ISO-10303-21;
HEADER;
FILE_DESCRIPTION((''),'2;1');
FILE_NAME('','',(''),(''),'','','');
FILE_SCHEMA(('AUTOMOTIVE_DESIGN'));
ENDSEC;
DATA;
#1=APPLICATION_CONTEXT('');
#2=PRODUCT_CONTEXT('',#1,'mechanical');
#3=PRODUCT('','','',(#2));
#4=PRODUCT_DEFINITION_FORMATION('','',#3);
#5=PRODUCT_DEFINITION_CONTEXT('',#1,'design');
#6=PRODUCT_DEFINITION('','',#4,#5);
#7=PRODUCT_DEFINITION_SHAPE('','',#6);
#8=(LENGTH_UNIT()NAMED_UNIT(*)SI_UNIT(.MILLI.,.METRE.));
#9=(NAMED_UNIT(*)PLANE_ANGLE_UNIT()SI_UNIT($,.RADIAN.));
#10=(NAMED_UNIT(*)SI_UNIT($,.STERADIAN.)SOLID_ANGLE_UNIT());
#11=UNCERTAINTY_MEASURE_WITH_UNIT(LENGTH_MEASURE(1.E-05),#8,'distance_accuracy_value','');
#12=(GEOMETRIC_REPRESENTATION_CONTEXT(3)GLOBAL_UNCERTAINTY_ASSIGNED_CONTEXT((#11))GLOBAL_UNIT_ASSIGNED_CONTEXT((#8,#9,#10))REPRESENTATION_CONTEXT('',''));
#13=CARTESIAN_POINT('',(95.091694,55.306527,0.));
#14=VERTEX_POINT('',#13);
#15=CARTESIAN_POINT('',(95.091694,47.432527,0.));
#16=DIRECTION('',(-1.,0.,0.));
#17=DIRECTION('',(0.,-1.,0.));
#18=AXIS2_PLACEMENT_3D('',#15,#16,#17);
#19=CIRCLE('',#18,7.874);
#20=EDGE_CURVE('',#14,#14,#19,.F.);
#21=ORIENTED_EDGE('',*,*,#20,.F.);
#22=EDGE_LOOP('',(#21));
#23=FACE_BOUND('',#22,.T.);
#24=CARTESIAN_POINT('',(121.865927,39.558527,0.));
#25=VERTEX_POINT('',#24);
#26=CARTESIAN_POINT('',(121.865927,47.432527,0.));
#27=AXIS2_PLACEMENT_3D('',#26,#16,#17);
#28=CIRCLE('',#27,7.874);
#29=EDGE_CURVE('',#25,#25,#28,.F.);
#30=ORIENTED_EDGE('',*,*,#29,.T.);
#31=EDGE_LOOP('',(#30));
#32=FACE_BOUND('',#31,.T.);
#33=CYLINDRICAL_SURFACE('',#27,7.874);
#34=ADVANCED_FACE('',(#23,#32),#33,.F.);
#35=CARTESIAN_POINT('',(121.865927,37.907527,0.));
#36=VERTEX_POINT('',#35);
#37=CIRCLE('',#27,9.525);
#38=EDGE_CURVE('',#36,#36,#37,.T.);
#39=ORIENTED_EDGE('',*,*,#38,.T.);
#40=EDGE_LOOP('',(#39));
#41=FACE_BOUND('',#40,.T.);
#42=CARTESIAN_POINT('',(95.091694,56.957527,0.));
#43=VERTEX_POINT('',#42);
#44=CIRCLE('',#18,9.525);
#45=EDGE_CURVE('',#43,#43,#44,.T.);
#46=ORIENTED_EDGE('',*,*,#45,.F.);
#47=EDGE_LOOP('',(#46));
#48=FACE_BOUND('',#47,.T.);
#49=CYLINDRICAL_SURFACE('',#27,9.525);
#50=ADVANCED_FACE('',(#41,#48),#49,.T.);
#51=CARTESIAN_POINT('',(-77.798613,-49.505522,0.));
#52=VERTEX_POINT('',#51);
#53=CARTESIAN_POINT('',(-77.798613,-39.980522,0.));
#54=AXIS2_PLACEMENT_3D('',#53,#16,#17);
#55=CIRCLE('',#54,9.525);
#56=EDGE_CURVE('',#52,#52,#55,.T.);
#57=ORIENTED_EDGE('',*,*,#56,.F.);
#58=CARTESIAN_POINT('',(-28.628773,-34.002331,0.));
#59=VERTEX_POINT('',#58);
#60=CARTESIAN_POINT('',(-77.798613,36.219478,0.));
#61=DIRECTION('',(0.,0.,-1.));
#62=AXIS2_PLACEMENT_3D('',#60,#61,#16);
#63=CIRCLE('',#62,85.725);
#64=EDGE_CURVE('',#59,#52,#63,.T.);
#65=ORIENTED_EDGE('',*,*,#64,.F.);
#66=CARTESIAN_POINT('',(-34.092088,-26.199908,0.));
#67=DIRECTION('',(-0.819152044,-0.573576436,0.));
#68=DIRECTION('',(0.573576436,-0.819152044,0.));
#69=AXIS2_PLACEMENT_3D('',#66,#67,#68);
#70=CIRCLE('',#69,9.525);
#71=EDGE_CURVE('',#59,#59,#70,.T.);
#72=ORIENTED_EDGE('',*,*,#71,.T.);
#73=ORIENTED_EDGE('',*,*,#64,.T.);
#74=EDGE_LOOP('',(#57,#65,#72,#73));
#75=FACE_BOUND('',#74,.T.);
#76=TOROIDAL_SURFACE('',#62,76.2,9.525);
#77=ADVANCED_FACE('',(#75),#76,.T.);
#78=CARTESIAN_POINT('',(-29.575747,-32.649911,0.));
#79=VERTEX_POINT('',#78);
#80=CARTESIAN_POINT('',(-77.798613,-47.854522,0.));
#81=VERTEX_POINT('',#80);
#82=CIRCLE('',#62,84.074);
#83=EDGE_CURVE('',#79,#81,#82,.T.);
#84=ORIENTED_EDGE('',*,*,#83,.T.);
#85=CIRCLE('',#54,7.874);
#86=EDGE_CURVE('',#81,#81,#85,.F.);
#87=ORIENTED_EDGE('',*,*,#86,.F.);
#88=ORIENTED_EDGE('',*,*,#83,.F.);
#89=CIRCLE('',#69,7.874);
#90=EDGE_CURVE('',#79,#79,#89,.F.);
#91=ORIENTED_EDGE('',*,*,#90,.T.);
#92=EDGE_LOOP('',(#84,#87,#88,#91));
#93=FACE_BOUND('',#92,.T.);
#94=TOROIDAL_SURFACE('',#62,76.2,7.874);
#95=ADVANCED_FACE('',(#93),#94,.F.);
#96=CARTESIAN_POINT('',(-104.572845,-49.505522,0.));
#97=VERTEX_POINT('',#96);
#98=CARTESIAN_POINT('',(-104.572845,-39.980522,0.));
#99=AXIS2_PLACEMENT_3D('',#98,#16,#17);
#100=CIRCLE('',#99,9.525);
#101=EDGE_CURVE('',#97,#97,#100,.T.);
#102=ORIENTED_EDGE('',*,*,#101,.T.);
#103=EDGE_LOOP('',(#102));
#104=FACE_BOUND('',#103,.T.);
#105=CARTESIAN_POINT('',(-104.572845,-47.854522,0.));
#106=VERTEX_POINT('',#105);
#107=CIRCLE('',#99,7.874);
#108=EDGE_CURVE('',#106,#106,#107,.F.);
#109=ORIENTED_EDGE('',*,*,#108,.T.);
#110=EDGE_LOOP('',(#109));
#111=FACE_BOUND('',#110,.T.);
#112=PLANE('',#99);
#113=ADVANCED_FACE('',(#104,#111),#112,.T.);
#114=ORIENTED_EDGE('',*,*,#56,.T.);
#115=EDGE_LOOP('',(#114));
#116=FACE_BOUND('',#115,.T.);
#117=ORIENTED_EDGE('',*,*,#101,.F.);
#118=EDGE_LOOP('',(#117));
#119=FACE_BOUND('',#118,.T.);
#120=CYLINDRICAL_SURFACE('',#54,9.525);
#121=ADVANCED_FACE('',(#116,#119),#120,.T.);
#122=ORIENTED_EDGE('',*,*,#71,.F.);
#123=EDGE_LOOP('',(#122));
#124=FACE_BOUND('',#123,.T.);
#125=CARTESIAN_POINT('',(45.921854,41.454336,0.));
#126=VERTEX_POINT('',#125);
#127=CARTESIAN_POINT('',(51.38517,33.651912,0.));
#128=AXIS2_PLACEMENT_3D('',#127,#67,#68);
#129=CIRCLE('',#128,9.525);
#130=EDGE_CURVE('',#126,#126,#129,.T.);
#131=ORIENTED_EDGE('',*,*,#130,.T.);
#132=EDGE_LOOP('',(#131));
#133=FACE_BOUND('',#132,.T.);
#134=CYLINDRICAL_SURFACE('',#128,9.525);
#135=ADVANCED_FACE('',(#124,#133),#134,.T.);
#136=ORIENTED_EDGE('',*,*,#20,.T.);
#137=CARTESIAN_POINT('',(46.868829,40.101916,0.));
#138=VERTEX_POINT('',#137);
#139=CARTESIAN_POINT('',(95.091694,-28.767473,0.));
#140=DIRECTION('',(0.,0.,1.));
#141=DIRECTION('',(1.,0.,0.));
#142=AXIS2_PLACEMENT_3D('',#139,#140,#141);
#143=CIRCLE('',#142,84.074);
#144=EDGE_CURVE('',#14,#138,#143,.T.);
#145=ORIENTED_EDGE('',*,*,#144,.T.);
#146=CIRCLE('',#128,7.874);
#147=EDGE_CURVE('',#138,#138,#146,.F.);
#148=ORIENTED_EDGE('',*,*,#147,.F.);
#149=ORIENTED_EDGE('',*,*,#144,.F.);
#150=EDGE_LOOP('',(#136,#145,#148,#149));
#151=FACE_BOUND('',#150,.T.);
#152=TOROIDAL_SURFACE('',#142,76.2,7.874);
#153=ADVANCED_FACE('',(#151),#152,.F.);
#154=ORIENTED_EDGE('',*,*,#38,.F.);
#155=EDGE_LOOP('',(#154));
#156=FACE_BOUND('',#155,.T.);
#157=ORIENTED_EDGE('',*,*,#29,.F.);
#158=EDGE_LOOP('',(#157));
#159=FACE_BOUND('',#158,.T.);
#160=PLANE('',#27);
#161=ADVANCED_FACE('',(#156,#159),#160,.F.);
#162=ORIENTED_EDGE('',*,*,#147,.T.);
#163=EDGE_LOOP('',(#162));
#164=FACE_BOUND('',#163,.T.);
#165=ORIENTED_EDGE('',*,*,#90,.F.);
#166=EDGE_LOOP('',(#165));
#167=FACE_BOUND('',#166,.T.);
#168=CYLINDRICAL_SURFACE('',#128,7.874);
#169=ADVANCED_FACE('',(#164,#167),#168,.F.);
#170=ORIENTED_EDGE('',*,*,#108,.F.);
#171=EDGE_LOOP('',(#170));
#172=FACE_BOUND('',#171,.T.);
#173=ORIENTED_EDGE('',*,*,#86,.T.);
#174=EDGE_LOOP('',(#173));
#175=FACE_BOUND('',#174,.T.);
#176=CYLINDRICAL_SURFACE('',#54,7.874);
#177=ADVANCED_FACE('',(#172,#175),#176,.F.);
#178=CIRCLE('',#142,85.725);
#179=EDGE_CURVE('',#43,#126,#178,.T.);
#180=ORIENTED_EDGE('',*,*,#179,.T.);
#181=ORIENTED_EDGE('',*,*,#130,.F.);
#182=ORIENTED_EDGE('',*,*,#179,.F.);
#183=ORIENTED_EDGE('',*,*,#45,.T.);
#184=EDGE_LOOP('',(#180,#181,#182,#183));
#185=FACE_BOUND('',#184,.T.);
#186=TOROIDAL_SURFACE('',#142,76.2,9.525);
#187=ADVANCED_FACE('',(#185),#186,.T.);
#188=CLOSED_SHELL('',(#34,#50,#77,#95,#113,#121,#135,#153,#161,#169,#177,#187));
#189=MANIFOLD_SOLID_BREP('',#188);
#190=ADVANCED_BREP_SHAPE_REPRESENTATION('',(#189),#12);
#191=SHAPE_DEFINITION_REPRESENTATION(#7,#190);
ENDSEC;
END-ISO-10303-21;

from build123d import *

# Parameters (mm, degrees)
SKETCH5_R   = 9.525
SKETCH5_R_2 = 7.874


with BuildPart() as part:
    # Sweep1: sweep along a path in Sketch4
    with BuildLine(Plane.XY) as sweep1_path:
        Line((121.865926636, 47.432526586), (95.091694349, 47.432526586))
        ThreePointArc((95.091694349, 47.432526586), (72.177912426, 43.905758233), (51.385169899, 33.651912361))
        Line((51.385169899, 33.651912361), (-34.092088176, -26.199908089))
        ThreePointArc((-34.092088176, -26.199908089), (-54.884830704, -36.453753961), (-77.798612626, -39.980522314))
        Line((-77.798612626, -39.980522314), (-104.572844914, -39.980522314))
    # Sketch5 → Sweep1 (sweep)
    with BuildSketch(Plane(origin=(121.865926636, 47.432526586, 0), x_dir=(0, 0, 1), z_dir=(-1, 0, 0))):
        Circle(SKETCH5_R)
        Circle(SKETCH5_R_2, mode=Mode.SUBTRACT)
    sweep(path=sweep1_path.line)


solid = part.part
